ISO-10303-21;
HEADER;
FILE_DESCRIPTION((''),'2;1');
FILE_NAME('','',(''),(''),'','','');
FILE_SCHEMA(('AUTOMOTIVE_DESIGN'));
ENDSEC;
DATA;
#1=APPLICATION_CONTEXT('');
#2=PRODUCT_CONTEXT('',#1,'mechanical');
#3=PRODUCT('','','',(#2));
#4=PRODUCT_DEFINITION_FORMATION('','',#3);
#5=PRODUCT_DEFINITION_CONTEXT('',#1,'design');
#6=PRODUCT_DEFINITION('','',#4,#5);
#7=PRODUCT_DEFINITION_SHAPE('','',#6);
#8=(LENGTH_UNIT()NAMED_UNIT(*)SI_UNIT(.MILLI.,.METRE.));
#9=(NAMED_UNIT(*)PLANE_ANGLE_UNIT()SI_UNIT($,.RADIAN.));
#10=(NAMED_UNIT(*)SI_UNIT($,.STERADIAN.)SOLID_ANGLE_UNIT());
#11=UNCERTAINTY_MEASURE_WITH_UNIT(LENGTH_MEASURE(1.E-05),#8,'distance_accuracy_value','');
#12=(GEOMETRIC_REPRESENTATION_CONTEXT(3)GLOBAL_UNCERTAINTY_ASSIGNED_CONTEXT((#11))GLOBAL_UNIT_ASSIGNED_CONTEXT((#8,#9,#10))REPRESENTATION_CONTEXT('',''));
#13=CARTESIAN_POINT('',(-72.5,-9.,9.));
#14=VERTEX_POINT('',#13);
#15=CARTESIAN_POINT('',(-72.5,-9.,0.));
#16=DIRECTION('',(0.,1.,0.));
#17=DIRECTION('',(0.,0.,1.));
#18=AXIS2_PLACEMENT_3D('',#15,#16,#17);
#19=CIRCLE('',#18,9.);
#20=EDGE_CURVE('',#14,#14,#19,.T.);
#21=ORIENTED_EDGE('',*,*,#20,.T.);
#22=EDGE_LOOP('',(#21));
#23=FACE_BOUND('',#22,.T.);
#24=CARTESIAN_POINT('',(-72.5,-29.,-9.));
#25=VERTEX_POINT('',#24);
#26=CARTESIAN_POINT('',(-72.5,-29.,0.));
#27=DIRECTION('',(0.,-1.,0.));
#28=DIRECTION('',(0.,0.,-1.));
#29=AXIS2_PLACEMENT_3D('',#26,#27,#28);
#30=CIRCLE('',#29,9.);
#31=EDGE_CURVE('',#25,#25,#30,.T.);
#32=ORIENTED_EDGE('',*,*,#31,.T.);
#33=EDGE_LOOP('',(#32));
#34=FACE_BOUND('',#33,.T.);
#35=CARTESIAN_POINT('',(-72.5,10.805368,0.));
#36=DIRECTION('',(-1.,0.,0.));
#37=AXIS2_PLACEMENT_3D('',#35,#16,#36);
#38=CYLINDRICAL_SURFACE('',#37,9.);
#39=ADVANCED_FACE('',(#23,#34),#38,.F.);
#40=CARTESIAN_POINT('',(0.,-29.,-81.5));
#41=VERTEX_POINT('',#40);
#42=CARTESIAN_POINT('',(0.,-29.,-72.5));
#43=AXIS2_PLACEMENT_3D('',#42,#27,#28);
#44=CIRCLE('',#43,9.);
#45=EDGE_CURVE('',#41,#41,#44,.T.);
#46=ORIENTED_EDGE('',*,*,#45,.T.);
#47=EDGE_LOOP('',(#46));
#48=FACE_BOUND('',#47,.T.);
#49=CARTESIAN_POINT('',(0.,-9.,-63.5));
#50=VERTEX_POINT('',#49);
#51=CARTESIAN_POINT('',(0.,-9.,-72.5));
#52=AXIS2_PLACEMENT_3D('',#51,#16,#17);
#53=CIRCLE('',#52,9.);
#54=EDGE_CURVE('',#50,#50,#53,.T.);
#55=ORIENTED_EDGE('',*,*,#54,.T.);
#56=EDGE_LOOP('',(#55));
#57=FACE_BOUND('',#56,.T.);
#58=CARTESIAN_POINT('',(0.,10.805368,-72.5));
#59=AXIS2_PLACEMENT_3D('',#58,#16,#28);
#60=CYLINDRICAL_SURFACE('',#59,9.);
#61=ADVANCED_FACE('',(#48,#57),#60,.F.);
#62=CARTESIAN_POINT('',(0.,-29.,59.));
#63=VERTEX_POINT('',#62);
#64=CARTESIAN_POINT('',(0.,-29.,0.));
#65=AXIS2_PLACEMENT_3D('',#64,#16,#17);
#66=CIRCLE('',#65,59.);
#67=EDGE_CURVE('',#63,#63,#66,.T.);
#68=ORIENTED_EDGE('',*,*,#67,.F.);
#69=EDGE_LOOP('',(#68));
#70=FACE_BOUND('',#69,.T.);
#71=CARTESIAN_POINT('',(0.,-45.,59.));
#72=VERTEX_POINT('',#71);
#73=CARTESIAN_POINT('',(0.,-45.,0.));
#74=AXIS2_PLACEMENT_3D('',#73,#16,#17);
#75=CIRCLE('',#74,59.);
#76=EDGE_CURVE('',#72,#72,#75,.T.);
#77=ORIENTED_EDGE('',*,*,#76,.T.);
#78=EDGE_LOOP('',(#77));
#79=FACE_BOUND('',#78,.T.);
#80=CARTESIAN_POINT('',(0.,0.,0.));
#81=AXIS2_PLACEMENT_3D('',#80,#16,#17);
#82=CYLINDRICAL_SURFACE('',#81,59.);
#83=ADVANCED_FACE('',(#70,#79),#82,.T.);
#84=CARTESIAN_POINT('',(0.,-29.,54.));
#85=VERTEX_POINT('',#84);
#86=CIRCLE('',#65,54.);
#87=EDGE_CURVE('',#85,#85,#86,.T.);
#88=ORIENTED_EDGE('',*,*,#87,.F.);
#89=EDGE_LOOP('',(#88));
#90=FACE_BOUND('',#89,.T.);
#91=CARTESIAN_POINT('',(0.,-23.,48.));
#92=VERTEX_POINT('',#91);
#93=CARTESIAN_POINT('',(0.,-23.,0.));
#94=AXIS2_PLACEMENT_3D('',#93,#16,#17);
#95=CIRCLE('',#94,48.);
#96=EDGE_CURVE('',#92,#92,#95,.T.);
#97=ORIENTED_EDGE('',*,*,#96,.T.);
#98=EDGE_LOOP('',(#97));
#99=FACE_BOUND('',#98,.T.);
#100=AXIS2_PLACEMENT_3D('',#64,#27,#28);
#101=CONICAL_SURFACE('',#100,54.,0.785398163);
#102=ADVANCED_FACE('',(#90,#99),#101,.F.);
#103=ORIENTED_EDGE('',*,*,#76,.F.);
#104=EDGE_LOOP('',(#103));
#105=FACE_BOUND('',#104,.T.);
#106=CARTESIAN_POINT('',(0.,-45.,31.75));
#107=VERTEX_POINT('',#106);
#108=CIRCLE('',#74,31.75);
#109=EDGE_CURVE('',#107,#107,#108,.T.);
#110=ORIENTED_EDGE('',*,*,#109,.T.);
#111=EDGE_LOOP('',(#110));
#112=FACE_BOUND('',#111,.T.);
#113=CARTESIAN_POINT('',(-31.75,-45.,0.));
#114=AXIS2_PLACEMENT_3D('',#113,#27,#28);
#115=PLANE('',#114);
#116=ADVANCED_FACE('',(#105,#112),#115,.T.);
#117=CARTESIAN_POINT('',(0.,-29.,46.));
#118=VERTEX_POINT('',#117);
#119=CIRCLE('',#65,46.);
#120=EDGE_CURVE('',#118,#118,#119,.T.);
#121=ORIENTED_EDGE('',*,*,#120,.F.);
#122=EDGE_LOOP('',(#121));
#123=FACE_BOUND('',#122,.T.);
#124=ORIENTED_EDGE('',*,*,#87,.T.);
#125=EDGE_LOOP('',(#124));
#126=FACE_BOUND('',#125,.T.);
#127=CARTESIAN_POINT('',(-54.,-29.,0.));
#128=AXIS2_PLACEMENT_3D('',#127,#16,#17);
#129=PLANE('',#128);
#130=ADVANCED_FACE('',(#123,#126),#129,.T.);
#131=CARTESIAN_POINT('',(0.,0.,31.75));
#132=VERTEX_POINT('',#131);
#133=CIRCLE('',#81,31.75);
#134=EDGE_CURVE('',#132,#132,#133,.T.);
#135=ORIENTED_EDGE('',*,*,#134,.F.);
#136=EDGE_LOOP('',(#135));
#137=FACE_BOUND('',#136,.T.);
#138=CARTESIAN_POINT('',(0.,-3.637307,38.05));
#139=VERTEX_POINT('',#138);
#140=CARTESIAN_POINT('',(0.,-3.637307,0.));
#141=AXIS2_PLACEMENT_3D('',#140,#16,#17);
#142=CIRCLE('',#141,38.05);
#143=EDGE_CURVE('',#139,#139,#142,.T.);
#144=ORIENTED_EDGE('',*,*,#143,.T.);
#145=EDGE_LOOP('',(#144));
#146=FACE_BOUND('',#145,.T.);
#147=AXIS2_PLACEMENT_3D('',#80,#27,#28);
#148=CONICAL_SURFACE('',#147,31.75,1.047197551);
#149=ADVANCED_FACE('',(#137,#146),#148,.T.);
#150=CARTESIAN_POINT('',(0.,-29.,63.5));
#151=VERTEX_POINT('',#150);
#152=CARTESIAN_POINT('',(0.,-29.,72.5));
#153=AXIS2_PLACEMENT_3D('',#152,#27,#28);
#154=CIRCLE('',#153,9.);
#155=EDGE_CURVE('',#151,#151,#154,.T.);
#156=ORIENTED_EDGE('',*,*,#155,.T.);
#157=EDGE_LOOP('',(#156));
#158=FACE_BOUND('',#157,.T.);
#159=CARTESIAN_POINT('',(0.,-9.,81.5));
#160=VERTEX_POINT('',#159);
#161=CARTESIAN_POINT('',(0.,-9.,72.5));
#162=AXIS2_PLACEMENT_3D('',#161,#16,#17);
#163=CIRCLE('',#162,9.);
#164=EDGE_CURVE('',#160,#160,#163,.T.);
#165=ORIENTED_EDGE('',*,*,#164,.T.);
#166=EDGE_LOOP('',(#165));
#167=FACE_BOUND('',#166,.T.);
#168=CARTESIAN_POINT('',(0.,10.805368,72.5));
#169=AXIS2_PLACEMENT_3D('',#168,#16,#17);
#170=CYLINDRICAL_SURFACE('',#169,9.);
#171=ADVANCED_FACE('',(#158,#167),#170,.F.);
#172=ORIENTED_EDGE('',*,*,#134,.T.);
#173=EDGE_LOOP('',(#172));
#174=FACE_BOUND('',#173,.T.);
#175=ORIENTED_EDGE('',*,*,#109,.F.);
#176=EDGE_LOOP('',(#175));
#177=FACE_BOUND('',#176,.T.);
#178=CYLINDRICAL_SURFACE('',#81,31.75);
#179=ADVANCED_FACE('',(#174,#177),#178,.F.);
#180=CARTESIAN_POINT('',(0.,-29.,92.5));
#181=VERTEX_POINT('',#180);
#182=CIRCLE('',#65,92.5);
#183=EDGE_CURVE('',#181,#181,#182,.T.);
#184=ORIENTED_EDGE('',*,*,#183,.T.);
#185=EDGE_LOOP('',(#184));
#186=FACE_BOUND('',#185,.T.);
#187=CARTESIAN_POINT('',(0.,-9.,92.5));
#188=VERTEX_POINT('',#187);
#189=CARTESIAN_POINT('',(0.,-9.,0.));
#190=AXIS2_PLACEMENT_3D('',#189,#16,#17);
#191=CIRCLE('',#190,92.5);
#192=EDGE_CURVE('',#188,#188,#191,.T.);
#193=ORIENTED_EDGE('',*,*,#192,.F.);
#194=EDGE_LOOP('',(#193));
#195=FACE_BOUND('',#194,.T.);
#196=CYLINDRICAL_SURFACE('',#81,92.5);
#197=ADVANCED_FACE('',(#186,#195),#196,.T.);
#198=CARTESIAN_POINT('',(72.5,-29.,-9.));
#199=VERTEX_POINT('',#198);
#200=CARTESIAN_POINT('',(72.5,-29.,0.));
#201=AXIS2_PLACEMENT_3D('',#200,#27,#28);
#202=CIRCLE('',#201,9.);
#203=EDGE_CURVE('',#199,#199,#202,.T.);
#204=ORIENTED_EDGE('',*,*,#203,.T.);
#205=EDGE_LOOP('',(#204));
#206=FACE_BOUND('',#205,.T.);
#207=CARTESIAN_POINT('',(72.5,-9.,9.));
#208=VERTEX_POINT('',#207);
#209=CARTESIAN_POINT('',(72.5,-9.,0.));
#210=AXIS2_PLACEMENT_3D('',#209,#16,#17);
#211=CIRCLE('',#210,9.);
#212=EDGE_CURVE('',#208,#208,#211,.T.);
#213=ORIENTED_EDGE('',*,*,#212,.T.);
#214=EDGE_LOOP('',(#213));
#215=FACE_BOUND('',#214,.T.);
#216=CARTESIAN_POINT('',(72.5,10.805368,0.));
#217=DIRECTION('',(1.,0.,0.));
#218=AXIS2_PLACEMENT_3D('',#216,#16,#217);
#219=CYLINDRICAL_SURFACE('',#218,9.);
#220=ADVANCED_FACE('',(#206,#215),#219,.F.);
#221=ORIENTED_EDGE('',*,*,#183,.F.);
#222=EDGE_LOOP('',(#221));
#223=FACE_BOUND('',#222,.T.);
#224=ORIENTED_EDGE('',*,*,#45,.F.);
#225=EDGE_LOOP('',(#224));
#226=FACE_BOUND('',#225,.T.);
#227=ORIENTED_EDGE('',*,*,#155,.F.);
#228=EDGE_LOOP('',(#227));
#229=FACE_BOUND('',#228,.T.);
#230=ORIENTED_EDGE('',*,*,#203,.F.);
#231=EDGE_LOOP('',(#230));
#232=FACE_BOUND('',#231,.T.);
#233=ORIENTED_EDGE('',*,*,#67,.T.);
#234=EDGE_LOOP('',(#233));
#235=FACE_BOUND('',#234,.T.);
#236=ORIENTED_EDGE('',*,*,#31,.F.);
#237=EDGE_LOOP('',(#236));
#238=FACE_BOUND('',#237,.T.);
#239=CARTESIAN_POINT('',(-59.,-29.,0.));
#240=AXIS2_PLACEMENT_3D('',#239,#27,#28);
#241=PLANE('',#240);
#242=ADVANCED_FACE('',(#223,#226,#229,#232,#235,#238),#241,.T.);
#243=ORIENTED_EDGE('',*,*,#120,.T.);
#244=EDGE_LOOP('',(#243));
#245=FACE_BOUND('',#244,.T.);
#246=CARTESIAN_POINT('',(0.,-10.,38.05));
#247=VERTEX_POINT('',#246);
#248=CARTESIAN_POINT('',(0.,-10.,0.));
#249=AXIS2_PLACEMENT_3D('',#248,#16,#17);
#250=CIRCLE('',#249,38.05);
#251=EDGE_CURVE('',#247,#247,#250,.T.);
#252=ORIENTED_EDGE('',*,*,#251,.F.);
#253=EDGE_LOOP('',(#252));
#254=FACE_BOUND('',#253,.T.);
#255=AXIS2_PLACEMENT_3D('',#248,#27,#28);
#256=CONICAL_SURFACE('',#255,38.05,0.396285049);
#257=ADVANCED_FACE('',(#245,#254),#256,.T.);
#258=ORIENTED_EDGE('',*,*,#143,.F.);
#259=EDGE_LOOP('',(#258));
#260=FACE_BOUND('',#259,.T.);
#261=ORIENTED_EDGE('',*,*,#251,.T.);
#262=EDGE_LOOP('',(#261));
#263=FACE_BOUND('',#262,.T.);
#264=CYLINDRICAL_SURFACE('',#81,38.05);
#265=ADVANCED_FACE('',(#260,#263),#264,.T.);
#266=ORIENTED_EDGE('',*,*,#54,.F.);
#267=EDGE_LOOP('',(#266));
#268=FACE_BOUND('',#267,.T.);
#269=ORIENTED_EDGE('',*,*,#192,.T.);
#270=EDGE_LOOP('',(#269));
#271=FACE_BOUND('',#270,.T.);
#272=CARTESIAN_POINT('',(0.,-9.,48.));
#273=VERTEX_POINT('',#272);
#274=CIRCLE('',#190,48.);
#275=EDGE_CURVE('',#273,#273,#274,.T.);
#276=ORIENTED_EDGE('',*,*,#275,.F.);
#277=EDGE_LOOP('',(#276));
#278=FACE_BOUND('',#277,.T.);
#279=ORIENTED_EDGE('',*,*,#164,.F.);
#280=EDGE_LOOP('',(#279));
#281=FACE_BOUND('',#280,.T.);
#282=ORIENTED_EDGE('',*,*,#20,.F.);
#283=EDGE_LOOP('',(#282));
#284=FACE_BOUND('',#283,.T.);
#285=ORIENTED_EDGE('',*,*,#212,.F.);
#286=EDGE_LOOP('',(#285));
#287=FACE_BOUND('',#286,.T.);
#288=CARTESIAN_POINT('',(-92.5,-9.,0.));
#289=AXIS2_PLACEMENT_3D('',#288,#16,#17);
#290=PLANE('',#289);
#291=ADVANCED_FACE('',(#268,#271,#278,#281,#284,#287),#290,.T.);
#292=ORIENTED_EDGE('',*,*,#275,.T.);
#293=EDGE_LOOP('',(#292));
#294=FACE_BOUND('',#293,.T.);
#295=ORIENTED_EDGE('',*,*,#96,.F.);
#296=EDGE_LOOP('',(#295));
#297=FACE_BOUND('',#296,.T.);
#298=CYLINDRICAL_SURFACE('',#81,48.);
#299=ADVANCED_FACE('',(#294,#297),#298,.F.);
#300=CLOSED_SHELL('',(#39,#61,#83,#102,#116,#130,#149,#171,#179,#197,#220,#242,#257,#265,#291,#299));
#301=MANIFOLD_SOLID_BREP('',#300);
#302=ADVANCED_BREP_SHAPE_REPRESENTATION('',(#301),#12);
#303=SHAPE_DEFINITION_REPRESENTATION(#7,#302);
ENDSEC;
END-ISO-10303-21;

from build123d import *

# Parameters (mm, degrees)
CUTSKETCH_W             = 9
CUTSKETCH_H             = 22
BOLTCIRCLEPATTERN_COUNT = 4


with BuildPart() as part:
    # BaseSketch → BaseRevolve (revolve)
    with BuildSketch(Plane.XY):
        Polygon((-31.75, 0), (-31.75, -45), (-59, -45), (-59, -29), (-92.5, -29), (-92.5, -9), (-48, -9), (-48, -23), (-54, -29), (-46, -29), (-38.05, -10), (-38.05, -3.637306696), align=None)
    revolve(axis=Axis((0, 0, 0), (0, -1, 0)))

    # CutSketch → CenterRevCut (revolve, cut)
    with BuildSketch(Plane.XY):
        with Locations((-77, -19)):
            Rectangle(CUTSKETCH_W, CUTSKETCH_H)
    centerrevcut = revolve(axis=Axis((-72.5, 10.805368121, 0), (0, -1, 0)), mode=Mode.SUBTRACT)

    # BoltCirclePattern: CenterRevCut ×4 about axis
    boltcirclepattern_axis = Axis((0, 0, 0), (0, -1, 0))
    for i in range(1, BOLTCIRCLEPATTERN_COUNT):
        add(centerrevcut.rotate(boltcirclepattern_axis, i * 360 / BOLTCIRCLEPATTERN_COUNT), mode=Mode.SUBTRACT)


solid = part.part
